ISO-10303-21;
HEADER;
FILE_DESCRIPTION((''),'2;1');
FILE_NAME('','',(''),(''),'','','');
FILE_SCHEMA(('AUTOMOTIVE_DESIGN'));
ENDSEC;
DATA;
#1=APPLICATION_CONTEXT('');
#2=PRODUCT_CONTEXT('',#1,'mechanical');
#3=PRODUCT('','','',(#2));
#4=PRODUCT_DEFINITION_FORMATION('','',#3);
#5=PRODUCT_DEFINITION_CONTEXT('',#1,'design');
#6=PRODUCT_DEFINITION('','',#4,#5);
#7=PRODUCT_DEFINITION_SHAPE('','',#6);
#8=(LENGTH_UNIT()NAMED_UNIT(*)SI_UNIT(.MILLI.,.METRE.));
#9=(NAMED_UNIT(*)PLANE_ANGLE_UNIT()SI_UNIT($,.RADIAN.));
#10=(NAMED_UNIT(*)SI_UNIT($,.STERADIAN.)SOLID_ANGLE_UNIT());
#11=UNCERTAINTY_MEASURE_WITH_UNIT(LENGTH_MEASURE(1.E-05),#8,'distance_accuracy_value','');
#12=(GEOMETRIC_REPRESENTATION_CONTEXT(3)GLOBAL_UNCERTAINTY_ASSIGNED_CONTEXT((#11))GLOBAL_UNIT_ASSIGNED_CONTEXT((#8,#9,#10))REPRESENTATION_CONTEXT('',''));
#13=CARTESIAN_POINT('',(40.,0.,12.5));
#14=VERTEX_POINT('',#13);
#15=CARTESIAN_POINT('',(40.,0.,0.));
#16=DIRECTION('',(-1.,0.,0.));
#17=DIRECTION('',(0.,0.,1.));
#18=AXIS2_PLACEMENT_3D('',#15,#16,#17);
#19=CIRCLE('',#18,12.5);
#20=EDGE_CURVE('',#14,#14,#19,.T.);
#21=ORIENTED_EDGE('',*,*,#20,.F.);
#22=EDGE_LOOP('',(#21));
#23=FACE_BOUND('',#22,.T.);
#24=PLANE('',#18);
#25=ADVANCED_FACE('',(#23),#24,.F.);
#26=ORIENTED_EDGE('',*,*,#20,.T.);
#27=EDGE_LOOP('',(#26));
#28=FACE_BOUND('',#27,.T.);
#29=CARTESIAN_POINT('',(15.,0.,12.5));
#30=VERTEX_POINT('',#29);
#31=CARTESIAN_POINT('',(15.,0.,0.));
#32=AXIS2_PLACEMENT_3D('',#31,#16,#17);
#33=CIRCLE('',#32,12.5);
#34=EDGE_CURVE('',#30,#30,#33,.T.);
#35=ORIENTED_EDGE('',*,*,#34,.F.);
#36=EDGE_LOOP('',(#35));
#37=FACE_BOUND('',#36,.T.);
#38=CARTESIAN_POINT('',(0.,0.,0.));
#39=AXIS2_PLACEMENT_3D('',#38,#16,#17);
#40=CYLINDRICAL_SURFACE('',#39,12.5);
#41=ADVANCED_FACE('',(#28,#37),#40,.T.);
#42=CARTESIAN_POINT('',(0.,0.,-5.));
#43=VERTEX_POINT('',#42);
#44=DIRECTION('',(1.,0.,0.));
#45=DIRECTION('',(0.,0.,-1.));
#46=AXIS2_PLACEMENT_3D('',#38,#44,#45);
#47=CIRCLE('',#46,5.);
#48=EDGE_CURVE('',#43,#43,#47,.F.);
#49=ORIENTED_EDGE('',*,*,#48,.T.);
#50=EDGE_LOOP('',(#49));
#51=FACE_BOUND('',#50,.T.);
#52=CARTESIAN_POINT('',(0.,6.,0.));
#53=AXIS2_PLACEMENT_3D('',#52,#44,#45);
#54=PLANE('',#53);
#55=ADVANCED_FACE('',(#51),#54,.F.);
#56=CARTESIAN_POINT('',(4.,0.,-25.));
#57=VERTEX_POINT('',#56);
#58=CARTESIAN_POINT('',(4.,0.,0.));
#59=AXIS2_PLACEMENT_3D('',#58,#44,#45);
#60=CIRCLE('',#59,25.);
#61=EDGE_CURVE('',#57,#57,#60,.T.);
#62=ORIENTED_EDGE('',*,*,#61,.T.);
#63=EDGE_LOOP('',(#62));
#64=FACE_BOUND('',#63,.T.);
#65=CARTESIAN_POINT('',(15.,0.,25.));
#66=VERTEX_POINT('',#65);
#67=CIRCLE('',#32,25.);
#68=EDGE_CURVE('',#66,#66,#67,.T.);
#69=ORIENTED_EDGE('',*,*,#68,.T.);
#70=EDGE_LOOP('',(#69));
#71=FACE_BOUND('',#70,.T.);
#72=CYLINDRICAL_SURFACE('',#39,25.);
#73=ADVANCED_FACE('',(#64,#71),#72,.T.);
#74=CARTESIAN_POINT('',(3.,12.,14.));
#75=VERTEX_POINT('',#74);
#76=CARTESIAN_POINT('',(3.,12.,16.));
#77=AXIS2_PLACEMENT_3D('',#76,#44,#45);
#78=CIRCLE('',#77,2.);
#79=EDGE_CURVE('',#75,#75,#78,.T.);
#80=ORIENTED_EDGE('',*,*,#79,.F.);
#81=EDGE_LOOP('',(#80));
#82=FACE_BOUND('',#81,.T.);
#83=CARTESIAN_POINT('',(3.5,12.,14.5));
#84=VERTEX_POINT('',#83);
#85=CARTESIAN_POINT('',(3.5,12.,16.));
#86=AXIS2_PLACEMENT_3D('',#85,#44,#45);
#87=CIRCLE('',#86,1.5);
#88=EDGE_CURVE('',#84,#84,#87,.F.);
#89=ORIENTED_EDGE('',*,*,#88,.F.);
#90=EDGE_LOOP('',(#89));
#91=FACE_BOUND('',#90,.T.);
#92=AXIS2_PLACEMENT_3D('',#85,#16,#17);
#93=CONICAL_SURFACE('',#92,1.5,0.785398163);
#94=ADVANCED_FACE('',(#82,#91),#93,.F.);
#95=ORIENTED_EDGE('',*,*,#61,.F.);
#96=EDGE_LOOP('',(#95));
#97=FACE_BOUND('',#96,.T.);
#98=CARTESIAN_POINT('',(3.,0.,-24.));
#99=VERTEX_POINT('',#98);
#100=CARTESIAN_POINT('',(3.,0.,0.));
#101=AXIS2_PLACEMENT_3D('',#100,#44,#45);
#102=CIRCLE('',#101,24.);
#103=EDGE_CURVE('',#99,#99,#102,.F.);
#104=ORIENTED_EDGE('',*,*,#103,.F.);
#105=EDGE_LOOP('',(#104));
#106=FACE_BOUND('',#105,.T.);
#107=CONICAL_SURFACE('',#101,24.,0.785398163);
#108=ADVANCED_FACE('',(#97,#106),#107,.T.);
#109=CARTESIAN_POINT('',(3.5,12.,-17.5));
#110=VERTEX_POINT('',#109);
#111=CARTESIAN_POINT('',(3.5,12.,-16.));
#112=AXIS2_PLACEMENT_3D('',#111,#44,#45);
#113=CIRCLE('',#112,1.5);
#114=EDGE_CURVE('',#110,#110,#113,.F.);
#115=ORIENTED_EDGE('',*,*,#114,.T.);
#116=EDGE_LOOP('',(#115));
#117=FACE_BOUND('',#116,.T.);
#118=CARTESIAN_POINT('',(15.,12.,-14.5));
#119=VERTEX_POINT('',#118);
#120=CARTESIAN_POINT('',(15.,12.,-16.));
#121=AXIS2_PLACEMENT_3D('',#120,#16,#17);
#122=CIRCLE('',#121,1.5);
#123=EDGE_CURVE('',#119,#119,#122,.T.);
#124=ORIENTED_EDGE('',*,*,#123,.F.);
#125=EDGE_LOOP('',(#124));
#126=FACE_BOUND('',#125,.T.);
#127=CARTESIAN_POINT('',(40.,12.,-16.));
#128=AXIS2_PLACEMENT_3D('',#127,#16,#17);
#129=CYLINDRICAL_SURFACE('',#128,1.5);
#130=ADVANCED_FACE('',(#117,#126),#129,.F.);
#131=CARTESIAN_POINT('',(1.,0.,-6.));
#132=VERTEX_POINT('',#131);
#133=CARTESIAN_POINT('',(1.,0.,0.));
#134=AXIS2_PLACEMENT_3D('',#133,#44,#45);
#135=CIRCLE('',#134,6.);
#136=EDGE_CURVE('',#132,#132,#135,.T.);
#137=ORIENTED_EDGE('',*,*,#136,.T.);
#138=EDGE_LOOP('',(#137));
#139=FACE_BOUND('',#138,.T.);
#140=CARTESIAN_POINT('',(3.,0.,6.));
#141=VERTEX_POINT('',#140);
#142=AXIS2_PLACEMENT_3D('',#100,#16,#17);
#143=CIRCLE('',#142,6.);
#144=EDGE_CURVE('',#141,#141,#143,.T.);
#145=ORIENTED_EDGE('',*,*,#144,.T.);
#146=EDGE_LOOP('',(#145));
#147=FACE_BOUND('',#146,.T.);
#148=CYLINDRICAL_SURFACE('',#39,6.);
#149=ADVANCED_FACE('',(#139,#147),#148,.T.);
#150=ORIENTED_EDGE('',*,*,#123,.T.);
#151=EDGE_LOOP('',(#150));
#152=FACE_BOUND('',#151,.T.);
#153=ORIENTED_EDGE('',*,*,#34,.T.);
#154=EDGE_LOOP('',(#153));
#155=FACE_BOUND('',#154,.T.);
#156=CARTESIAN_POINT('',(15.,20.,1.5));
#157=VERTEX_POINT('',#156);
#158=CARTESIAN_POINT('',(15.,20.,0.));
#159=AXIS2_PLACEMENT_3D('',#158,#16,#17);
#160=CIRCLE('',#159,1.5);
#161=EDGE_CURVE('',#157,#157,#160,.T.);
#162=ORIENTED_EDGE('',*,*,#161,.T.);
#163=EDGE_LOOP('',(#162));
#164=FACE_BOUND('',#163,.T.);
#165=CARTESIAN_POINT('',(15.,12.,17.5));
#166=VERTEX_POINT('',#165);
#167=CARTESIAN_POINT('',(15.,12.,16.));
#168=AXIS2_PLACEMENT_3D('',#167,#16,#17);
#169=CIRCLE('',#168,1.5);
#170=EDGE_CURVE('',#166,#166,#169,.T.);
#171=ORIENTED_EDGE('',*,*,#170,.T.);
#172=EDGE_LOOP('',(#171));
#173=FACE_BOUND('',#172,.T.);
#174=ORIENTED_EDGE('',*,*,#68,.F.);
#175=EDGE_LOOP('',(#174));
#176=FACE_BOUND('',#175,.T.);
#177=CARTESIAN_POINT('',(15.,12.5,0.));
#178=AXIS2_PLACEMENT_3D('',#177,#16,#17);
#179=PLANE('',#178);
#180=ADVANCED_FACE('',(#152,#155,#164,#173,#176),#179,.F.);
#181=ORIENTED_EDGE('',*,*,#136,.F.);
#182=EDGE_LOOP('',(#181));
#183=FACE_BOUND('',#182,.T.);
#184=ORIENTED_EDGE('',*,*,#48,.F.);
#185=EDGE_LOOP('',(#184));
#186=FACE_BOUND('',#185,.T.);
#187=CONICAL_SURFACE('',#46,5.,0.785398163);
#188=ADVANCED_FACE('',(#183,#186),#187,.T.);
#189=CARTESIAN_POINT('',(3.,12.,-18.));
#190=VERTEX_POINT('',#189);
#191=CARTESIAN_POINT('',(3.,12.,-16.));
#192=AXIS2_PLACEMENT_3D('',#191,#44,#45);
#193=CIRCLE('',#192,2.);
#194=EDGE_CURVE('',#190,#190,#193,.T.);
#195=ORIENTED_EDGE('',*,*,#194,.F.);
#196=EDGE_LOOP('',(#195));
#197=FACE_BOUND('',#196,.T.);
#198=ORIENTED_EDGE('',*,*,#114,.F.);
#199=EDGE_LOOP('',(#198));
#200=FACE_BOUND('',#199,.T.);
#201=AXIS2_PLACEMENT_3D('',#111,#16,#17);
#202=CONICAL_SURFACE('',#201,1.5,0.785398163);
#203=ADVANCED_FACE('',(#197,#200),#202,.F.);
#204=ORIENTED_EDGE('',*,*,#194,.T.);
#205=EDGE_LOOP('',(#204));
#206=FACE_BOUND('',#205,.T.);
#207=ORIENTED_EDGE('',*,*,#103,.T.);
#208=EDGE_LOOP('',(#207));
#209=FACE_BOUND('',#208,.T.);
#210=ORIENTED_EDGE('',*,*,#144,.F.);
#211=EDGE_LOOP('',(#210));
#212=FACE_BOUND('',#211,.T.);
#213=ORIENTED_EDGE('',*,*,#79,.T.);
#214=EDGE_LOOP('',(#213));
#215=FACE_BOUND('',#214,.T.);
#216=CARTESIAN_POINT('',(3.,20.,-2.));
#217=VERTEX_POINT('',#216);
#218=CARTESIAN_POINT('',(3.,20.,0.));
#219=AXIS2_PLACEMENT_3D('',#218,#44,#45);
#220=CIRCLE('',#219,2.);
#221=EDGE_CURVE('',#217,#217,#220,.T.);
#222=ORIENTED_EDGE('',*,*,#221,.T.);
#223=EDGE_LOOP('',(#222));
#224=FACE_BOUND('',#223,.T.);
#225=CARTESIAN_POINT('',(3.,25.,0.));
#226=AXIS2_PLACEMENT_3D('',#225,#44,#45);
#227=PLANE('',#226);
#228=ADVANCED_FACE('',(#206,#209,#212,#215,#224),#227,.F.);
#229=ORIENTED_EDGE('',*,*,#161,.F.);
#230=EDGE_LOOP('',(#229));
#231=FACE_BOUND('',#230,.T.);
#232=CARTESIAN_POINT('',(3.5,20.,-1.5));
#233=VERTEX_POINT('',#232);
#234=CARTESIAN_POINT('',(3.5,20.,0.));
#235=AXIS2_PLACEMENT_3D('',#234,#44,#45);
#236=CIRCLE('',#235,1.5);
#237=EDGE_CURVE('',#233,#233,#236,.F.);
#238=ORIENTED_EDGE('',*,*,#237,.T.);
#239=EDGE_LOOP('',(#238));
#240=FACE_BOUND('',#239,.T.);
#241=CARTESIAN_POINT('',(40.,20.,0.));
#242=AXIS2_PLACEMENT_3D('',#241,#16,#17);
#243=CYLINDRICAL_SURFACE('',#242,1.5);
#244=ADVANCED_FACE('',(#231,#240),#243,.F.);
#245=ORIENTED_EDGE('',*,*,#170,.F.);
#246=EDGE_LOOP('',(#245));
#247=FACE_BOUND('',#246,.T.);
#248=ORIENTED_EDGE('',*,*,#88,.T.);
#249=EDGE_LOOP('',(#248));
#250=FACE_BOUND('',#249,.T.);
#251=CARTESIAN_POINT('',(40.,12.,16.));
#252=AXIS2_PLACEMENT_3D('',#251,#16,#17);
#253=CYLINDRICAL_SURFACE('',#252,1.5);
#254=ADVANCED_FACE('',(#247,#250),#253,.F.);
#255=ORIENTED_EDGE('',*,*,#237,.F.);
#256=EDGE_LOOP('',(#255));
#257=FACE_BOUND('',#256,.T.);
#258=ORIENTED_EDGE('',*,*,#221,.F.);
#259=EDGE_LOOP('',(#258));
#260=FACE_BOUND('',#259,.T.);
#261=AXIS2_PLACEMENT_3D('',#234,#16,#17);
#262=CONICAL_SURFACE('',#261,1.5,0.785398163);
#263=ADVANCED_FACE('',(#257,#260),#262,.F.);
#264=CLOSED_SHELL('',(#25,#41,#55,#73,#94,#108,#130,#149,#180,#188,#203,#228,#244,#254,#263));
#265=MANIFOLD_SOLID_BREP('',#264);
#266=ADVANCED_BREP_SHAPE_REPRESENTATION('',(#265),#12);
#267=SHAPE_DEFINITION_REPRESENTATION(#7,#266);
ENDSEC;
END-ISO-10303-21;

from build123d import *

# Parameters (mm, degrees)
CHAMFER1_SIZE      = 1
SKETCH2_R          = 1.5
CUT_EXTRUDE1_DEPTH = 52.176166328
CHAMFER2_SIZE      = 0.5


with BuildPart() as part:
    # Sketch1 → Revolve1 (revolve)
    with BuildSketch(Plane.XY, mode=Mode.PRIVATE) as revolve1_sk:
        Polygon((0, 0), (40, 0), (40, 12.5), (15, 12.5), (15, 25), (3, 25), (3, 6), (0, 6), align=None)
    revolve(revolve1_sk.sketch.rotate(Axis((0, 0, 0), (1, 0, 0)), 90), axis=Axis((0, 0, 0), (1, 0, 0)))

    # Chamfer1
    chamfer1_edges = [part.edges().sort_by_distance(p)[0] for p in [
        (0, 0, -6),
        (3, 0, -25),
    ]]
    chamfer(chamfer1_edges, length=CHAMFER1_SIZE)

    # Sketch2 → Cut-Extrude1 (cut, through all)
    with BuildSketch(Plane.ZY.offset(-3)):
        with Locations((-16, 12)):
            Circle(SKETCH2_R)
        with Locations((0, 20)):
            Circle(SKETCH2_R)
        with Locations((16, 12)):
            Circle(SKETCH2_R)
    extrude(amount=-CUT_EXTRUDE1_DEPTH, mode=Mode.SUBTRACT)

    # Chamfer2
    chamfer2_edges = [part.edges().sort_by_distance(p)[0] for p in [
        (3, 12, -17.5),
        (3, 20, -1.5),
        (3, 12, 14.5),
    ]]
    chamfer(chamfer2_edges, length=CHAMFER2_SIZE)


solid = part.part
